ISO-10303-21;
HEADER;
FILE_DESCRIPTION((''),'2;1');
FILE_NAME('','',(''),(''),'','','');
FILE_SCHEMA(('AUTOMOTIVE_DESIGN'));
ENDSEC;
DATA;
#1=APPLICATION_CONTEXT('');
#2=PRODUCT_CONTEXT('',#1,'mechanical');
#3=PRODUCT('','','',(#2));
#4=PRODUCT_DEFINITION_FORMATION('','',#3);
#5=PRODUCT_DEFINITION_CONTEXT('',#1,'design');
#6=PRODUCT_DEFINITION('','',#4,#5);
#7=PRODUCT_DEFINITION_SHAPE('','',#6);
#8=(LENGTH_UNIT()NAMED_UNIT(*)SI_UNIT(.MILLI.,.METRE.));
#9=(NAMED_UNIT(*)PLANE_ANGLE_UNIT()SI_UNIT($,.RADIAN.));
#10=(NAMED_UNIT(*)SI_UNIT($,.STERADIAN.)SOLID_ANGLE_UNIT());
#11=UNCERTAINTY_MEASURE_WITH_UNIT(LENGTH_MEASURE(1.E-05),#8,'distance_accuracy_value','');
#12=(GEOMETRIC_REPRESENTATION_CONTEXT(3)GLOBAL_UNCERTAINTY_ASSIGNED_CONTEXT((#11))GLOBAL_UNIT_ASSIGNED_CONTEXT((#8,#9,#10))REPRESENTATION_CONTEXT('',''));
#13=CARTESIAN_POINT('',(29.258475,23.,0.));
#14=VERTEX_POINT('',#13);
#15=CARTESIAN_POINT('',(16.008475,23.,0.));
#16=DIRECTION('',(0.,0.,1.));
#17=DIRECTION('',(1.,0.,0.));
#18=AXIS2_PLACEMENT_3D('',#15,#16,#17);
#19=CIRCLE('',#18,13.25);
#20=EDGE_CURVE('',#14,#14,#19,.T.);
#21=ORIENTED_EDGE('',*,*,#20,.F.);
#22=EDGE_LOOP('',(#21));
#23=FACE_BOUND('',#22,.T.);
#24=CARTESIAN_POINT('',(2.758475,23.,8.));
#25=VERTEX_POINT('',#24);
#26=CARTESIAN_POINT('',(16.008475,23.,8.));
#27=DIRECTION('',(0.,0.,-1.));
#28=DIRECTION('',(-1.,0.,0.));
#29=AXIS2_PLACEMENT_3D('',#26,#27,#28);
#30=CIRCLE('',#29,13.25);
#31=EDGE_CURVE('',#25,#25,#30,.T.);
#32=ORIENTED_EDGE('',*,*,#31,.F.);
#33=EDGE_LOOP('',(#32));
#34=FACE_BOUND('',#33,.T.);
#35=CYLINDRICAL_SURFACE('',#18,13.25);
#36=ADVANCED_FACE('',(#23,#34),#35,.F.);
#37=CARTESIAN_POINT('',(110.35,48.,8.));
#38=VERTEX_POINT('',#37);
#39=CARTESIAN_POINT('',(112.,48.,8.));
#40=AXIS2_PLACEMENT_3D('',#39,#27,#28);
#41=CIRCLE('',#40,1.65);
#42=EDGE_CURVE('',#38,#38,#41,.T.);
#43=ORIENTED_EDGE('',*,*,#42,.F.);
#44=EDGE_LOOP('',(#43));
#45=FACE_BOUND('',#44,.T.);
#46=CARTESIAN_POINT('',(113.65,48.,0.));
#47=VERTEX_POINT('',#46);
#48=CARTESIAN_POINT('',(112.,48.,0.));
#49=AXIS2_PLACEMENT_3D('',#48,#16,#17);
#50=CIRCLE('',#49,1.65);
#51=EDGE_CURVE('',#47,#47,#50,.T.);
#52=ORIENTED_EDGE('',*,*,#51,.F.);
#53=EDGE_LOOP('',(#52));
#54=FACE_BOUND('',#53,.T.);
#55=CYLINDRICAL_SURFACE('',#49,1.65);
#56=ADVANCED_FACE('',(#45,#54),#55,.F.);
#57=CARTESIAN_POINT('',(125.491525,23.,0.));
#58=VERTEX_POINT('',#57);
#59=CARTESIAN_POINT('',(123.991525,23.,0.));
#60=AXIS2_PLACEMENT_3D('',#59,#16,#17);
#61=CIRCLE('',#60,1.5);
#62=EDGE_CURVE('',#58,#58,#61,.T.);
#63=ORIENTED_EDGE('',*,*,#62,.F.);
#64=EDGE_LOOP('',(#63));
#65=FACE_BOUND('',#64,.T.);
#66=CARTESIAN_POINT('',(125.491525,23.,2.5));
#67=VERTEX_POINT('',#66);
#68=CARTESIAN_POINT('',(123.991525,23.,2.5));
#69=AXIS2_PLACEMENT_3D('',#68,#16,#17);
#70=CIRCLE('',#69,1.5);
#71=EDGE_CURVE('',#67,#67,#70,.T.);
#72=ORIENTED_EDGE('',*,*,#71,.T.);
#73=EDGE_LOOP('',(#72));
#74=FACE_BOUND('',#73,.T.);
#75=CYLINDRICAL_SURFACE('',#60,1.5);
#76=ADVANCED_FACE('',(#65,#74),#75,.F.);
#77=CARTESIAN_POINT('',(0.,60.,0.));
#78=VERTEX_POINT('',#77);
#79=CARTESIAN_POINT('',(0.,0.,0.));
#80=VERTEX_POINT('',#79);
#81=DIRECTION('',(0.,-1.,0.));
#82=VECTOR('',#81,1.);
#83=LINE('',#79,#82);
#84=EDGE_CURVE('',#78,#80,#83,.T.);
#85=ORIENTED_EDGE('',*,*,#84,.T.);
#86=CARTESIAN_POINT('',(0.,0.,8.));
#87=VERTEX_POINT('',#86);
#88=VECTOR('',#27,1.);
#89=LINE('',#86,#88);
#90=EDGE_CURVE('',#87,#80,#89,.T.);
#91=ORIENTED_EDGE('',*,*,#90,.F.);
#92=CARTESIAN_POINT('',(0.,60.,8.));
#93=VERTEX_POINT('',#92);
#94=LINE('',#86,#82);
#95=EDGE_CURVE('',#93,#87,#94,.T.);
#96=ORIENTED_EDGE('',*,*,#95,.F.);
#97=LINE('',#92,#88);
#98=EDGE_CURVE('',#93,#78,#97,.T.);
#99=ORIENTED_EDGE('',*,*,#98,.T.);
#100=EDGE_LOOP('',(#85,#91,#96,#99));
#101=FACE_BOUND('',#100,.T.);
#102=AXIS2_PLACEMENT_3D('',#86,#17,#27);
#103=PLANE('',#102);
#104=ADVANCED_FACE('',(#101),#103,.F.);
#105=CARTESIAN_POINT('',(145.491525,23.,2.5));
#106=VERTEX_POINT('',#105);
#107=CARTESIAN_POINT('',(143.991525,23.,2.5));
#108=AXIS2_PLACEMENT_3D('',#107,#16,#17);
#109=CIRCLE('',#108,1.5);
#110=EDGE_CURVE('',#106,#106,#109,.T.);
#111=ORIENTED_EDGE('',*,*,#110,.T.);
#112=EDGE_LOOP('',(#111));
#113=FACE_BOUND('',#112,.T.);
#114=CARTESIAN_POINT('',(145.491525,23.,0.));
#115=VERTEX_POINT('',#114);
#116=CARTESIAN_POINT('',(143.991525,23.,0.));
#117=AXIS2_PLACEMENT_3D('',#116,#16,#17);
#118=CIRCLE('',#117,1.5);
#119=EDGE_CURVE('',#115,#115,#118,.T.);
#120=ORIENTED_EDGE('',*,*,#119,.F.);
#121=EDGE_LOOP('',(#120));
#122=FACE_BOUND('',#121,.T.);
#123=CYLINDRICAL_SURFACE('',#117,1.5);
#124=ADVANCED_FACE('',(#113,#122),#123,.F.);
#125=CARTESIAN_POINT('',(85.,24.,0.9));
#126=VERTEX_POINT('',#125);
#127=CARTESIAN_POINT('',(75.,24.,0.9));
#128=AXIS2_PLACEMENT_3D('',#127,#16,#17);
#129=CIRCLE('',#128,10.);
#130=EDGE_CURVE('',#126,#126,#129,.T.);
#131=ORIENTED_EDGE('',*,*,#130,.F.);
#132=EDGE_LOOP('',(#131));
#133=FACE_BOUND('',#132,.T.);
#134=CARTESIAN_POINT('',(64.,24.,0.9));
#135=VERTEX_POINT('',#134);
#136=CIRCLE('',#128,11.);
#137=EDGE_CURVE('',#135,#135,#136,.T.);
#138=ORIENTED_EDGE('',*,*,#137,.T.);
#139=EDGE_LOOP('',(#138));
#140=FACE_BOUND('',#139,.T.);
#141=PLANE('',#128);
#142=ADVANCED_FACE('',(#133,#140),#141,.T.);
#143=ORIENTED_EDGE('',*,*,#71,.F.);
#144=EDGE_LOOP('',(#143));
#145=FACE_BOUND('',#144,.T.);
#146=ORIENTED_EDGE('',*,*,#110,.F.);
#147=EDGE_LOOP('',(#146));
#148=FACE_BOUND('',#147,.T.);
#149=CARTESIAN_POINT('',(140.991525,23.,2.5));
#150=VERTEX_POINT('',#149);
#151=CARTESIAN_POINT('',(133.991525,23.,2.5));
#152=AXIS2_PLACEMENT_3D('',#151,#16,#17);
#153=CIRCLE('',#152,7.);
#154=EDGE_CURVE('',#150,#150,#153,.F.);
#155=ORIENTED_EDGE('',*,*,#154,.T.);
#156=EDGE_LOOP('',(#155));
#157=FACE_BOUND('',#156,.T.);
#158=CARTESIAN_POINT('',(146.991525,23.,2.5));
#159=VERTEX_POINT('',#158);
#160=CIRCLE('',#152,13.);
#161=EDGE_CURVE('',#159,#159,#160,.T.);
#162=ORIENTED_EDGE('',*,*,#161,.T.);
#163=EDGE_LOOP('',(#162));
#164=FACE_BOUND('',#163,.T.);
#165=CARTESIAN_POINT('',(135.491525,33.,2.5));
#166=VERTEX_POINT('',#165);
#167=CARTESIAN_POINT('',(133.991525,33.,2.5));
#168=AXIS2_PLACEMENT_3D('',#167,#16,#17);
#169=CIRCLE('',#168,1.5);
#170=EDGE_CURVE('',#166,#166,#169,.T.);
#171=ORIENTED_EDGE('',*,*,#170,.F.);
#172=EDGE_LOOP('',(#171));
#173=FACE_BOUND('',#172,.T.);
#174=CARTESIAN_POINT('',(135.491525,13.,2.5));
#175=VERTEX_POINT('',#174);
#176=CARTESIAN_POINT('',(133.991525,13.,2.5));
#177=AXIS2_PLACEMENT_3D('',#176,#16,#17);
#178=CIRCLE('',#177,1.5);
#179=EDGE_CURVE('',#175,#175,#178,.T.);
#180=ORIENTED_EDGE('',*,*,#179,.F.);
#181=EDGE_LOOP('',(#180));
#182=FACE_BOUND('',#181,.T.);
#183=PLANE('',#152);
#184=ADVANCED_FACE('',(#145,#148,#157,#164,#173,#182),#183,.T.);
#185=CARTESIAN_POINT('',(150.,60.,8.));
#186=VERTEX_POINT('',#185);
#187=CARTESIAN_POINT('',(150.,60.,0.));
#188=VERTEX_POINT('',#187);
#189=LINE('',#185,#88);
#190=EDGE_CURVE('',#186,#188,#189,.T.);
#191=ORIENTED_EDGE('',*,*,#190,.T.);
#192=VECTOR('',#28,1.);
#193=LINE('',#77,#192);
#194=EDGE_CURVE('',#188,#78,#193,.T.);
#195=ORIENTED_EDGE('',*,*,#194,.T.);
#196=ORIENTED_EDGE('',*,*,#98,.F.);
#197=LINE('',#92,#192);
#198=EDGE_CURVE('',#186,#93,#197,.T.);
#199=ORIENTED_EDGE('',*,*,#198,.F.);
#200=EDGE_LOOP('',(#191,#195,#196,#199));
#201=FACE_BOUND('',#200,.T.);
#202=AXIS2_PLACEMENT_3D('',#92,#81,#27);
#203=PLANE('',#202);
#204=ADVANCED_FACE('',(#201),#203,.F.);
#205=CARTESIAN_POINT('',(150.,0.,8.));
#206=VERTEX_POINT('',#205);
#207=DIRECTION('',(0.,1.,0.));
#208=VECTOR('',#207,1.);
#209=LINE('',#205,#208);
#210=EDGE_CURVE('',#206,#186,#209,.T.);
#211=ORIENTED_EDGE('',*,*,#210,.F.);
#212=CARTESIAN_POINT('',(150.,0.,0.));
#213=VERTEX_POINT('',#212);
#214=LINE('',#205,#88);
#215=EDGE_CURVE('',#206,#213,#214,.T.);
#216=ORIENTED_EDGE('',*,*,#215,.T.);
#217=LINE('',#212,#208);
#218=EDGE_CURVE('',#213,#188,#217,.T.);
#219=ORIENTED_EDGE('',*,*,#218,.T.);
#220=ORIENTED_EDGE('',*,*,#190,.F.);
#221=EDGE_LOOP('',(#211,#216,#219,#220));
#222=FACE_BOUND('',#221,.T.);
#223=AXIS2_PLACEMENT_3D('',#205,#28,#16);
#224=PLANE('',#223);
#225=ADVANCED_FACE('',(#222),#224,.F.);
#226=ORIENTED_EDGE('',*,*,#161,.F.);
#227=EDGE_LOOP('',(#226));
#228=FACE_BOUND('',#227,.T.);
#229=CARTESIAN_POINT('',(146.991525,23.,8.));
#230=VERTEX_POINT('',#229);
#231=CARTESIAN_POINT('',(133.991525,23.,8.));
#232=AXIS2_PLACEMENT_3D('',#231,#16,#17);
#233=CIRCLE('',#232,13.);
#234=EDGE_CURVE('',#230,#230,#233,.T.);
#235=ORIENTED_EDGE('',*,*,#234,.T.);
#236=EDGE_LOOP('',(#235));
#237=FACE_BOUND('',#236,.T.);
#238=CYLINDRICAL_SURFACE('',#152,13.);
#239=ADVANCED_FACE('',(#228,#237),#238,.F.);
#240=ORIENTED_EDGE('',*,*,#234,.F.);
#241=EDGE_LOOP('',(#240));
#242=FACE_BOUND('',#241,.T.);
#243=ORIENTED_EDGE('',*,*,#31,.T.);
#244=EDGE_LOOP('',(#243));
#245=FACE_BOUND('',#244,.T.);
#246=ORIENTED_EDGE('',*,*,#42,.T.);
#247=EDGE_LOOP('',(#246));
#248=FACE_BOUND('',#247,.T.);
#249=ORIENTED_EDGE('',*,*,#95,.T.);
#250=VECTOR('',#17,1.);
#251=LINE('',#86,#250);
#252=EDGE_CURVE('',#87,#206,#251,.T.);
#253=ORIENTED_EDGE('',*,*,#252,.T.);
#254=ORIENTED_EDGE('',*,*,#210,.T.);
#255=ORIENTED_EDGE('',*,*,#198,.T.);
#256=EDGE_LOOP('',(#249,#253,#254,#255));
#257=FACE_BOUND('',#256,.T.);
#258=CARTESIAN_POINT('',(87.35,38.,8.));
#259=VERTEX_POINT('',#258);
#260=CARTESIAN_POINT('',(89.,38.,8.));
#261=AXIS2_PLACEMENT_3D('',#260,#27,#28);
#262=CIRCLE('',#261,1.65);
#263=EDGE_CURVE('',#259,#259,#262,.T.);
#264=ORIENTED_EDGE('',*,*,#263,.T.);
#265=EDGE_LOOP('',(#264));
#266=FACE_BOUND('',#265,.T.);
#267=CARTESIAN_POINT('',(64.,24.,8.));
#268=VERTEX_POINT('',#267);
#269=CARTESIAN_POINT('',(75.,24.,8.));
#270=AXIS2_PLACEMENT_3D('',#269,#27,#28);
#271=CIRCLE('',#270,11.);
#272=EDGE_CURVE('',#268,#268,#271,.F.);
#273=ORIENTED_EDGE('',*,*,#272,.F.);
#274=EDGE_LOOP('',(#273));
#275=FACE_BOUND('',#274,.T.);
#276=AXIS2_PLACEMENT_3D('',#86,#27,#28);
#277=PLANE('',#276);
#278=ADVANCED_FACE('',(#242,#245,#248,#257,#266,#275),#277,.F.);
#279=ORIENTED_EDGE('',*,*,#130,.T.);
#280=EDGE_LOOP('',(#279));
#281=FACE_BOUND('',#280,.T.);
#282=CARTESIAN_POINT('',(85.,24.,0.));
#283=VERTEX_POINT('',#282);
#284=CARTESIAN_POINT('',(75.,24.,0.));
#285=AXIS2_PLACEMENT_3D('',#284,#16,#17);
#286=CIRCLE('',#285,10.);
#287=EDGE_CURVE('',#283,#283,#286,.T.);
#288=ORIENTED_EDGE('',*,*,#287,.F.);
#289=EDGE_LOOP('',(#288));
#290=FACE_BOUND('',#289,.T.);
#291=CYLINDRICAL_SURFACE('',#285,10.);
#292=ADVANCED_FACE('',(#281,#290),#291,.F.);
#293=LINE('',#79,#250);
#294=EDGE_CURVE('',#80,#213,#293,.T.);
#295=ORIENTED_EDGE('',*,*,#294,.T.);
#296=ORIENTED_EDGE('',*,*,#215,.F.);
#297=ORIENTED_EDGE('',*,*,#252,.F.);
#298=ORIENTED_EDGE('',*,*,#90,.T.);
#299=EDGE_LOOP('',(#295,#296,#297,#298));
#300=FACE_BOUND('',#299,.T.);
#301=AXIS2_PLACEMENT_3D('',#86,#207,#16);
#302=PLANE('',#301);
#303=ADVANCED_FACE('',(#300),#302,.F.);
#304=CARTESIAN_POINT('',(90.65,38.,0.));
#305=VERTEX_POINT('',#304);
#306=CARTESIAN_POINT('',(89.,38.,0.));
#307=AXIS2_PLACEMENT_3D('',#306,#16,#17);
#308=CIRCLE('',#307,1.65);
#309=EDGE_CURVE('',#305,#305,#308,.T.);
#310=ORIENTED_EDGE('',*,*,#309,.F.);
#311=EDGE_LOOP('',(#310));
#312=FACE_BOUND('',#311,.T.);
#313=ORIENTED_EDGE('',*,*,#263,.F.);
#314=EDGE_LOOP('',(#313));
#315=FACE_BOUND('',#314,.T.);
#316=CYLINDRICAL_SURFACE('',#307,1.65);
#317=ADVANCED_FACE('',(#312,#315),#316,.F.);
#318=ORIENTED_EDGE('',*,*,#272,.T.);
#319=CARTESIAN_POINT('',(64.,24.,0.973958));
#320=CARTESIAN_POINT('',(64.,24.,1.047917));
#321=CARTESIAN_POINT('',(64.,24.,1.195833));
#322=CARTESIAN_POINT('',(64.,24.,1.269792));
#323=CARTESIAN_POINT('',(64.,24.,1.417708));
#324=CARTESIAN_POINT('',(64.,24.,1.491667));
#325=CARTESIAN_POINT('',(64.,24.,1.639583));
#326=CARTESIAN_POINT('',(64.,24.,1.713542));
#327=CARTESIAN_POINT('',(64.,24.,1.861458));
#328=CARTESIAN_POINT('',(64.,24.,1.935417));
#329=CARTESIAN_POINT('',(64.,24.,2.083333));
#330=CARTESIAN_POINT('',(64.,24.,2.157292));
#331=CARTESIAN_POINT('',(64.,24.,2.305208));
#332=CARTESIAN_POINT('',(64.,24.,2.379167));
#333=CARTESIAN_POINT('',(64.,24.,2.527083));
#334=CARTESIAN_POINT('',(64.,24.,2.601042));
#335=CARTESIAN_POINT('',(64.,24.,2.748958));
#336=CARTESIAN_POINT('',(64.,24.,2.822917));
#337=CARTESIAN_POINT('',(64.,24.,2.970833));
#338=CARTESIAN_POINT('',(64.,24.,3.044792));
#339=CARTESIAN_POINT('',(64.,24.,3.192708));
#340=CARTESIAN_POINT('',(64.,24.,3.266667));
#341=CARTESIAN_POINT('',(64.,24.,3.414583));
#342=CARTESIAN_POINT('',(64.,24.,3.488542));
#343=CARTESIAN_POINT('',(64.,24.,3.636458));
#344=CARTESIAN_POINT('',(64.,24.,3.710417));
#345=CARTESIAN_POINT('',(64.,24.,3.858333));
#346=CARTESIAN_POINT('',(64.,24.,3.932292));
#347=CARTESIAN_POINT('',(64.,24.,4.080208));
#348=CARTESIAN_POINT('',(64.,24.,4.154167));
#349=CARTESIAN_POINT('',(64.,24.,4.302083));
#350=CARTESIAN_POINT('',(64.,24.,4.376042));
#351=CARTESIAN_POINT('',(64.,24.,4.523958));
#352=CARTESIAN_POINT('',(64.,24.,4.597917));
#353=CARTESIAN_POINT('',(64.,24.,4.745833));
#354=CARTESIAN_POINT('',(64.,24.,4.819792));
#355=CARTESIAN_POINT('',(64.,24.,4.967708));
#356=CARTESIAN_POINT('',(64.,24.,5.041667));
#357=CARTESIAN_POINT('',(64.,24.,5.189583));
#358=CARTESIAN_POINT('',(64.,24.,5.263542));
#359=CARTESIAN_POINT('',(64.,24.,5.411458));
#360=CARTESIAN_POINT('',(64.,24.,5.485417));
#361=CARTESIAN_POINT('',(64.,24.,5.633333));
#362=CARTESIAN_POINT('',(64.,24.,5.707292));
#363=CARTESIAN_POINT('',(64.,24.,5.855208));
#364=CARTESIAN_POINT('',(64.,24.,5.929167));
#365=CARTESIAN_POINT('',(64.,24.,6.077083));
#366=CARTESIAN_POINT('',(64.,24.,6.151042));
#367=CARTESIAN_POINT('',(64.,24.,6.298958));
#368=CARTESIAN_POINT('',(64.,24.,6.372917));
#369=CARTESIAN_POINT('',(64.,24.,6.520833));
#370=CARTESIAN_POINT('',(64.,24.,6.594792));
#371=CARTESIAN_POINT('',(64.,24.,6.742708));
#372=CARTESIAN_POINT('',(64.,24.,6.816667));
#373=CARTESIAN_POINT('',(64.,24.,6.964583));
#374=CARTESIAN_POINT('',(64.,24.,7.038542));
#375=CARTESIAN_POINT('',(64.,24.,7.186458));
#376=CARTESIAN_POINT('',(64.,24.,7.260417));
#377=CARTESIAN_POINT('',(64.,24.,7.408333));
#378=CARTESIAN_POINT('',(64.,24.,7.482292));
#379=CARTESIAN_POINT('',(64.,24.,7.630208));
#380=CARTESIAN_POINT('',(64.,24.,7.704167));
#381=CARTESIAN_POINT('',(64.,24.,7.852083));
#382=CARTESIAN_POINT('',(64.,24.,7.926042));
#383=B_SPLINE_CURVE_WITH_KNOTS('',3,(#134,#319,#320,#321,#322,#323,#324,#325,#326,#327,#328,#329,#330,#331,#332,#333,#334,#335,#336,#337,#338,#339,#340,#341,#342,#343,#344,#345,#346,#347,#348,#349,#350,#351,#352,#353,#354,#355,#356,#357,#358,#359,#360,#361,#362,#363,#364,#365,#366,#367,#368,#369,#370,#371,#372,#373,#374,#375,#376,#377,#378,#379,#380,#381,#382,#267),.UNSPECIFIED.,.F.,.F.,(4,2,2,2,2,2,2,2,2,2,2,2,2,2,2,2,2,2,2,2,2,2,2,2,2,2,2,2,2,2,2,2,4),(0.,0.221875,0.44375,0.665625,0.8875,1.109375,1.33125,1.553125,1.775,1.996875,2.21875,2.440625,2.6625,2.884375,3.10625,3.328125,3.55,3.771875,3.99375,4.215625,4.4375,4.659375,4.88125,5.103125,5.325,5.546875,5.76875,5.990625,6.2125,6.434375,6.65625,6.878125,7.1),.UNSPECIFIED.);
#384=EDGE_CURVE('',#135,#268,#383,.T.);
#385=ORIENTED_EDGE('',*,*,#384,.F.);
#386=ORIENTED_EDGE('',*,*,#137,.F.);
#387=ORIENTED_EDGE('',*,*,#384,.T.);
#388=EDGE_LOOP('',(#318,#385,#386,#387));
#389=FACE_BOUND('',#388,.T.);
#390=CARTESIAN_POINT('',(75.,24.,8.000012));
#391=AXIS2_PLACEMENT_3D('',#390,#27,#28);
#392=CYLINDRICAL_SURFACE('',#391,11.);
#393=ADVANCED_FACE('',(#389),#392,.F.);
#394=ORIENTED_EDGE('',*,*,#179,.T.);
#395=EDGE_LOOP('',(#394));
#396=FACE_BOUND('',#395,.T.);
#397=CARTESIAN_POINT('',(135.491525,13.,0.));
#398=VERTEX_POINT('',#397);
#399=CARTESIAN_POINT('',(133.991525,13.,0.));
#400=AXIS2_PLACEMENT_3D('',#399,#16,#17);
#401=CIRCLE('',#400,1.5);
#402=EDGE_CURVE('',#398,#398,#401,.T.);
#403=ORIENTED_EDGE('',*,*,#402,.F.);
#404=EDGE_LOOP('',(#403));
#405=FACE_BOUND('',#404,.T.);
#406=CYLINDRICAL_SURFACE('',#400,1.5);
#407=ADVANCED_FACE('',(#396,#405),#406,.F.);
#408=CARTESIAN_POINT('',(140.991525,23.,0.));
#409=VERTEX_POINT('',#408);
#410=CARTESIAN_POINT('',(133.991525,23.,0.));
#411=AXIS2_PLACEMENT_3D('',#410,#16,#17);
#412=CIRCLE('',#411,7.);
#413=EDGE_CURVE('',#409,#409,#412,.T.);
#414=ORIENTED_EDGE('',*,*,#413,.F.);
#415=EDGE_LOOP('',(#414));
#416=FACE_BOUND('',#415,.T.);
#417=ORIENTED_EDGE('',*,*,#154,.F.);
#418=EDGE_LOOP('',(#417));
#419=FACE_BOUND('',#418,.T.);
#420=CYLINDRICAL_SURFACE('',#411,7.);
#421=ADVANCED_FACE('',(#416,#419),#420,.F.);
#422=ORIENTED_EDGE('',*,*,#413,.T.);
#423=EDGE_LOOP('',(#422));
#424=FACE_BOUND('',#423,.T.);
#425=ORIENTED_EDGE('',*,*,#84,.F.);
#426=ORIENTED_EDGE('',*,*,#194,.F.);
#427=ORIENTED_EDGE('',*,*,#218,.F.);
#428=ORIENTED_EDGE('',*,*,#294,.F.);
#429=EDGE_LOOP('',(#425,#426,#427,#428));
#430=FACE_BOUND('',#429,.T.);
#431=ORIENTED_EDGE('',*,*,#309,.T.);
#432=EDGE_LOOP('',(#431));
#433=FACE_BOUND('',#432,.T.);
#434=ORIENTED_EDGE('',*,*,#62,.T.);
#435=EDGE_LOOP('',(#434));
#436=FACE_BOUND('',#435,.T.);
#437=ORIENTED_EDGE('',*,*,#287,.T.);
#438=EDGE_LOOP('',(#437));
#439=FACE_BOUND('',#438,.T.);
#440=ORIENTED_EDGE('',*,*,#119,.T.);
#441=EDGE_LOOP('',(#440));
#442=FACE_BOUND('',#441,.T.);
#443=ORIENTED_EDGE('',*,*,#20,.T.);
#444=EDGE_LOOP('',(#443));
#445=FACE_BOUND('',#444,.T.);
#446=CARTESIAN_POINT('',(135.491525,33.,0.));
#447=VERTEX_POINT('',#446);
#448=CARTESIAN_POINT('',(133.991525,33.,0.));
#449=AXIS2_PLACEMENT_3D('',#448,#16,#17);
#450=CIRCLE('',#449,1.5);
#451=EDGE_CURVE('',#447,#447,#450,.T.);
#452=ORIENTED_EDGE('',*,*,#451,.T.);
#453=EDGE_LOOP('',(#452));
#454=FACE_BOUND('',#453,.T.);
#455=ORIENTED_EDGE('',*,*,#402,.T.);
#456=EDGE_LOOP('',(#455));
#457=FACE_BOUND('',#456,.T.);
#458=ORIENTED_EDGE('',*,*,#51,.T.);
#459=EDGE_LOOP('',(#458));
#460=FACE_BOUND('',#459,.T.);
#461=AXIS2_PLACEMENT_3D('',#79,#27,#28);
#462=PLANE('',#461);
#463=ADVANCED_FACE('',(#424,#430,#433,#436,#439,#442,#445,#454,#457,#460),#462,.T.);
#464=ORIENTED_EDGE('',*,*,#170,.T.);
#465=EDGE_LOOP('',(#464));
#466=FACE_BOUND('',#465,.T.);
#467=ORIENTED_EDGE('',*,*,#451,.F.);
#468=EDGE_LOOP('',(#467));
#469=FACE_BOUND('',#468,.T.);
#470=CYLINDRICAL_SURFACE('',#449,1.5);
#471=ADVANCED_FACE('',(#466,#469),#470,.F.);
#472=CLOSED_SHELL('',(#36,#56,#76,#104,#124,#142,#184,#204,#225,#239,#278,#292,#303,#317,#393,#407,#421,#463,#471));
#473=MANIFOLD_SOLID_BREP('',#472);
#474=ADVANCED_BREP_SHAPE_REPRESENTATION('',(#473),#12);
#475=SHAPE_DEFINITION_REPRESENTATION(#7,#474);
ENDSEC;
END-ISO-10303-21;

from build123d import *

# Parameters (mm, degrees)
ESQUISSE1_W                  = 150
ESQUISSE1_H                  = 60
BOSS_EXTRU_1_DEPTH           = 8
ENL_V_MAT_EXTRU_1_DEPTH      = 162.752897965
ENL_V_MAT_EXTRU_1_DEPTH_BACK = 7.1
ESQUISSE2_R                  = 11
ESQUISSE3_R                  = 10
ENL_V_MAT_EXTRU_2_DEPTH      = 162.710883987
ESQUISSE4_R                  = 7
ENL_V_MAT_EXTRU_3_DEPTH      = 162.752897965
ESQUISSE5_R                  = 13
ENL_V_MAT_EXTRU_4_DEPTH      = 5.5
ENL_V_MAT_EXTRU_5_DEPTH      = 162.752897965
ENL_V_MAT_EXTRU_5_DEPTH_BACK = 162.752897965
ESQUISSE6_R                  = 13.25
ENL_V_MAT_EXTRU_6_DEPTH      = 162.752897965
ENL_V_MAT_EXTRU_6_DEPTH_BACK = 162.752897965
ESQUISSE7_R                  = 1.65
ENL_V_MAT_EXTRU_7_DEPTH      = 162.648538503
ENL_V_MAT_EXTRU_7_DEPTH_BACK = 162.648538503
ESQUISSE8_R                  = 1.5


with BuildPart() as part:
    # Esquisse1 → Boss.-Extru.1 (new body)
    with BuildSketch(Plane.XY):
        with Locations((75, 30)):
            Rectangle(ESQUISSE1_W, ESQUISSE1_H)
    extrude(amount=BOSS_EXTRU_1_DEPTH)

    # Esquisse2 → Enlèv. mat.-Extru.1 (cut, two sides: drawn at the far end of the back side and taken through both)
    with BuildSketch(Plane.XY.offset(8).offset(-ENL_V_MAT_EXTRU_1_DEPTH_BACK)):
        with Locations(Location((75, 24, 0), (0, 0, 180))):
            Circle(ESQUISSE2_R)
    extrude(amount=ENL_V_MAT_EXTRU_1_DEPTH + ENL_V_MAT_EXTRU_1_DEPTH_BACK, mode=Mode.SUBTRACT)

    # Esquisse3 → Enlèv. mat.-Extru.2 (cut, through all)
    with BuildSketch(Plane.XY.offset(0.9)):
        with Locations((75, 24)):
            Circle(ESQUISSE3_R)
    extrude(amount=-ENL_V_MAT_EXTRU_2_DEPTH, mode=Mode.SUBTRACT)

    # Esquisse4 → Enlèv. mat.-Extru.3 (cut, through all)
    with BuildSketch(Plane.XY.offset(8)):
        with Locations((133.991524815, 23)):
            Circle(ESQUISSE4_R)
    extrude(amount=-ENL_V_MAT_EXTRU_3_DEPTH, mode=Mode.SUBTRACT)

    # Esquisse5 → Enlèv. mat.-Extru.4 (cut)
    with BuildSketch(Plane.XY.offset(8)):
        with Locations((133.991524815, 23)):
            Circle(ESQUISSE5_R)
    extrude(amount=-ENL_V_MAT_EXTRU_4_DEPTH, mode=Mode.SUBTRACT)

    # Esquisse6 → Enlèv. mat.-Extru.5 (cut, two sides: drawn at the far end of the back side and taken through both)
    with BuildSketch(Plane.XY.offset(8).offset(-ENL_V_MAT_EXTRU_5_DEPTH_BACK)):
        with Locations((16.008475185, 23)):
            Circle(ESQUISSE6_R)
    extrude(amount=ENL_V_MAT_EXTRU_5_DEPTH + ENL_V_MAT_EXTRU_5_DEPTH_BACK, mode=Mode.SUBTRACT)

    # Esquisse7 → Enlèv. mat.-Extru.6 (cut, two sides: drawn at the far end of the back side and taken through both)
    with BuildSketch(Plane.XY.offset(8).offset(-ENL_V_MAT_EXTRU_6_DEPTH_BACK)):
        with Locations((89, 38)):
            Circle(ESQUISSE7_R)
        with Locations((112, 48)):
            Circle(ESQUISSE7_R)
    extrude(amount=ENL_V_MAT_EXTRU_6_DEPTH + ENL_V_MAT_EXTRU_6_DEPTH_BACK, mode=Mode.SUBTRACT)

    # Esquisse8 → Enlèv. mat.-Extru.7 (cut, two sides: drawn at the far end of the back side and taken through both)
    with BuildSketch(Plane.XY.offset(2.5).offset(-ENL_V_MAT_EXTRU_7_DEPTH_BACK)):
        with Locations((133.991524815, 13)):
            Circle(ESQUISSE8_R)
        with Locations((123.991524815, 23)):
            Circle(ESQUISSE8_R)
        with Locations((133.991524815, 33)):
            Circle(ESQUISSE8_R)
        with Locations((143.991524815, 23)):
            Circle(ESQUISSE8_R)
    extrude(amount=ENL_V_MAT_EXTRU_7_DEPTH + ENL_V_MAT_EXTRU_7_DEPTH_BACK, mode=Mode.SUBTRACT)


solid = part.part
